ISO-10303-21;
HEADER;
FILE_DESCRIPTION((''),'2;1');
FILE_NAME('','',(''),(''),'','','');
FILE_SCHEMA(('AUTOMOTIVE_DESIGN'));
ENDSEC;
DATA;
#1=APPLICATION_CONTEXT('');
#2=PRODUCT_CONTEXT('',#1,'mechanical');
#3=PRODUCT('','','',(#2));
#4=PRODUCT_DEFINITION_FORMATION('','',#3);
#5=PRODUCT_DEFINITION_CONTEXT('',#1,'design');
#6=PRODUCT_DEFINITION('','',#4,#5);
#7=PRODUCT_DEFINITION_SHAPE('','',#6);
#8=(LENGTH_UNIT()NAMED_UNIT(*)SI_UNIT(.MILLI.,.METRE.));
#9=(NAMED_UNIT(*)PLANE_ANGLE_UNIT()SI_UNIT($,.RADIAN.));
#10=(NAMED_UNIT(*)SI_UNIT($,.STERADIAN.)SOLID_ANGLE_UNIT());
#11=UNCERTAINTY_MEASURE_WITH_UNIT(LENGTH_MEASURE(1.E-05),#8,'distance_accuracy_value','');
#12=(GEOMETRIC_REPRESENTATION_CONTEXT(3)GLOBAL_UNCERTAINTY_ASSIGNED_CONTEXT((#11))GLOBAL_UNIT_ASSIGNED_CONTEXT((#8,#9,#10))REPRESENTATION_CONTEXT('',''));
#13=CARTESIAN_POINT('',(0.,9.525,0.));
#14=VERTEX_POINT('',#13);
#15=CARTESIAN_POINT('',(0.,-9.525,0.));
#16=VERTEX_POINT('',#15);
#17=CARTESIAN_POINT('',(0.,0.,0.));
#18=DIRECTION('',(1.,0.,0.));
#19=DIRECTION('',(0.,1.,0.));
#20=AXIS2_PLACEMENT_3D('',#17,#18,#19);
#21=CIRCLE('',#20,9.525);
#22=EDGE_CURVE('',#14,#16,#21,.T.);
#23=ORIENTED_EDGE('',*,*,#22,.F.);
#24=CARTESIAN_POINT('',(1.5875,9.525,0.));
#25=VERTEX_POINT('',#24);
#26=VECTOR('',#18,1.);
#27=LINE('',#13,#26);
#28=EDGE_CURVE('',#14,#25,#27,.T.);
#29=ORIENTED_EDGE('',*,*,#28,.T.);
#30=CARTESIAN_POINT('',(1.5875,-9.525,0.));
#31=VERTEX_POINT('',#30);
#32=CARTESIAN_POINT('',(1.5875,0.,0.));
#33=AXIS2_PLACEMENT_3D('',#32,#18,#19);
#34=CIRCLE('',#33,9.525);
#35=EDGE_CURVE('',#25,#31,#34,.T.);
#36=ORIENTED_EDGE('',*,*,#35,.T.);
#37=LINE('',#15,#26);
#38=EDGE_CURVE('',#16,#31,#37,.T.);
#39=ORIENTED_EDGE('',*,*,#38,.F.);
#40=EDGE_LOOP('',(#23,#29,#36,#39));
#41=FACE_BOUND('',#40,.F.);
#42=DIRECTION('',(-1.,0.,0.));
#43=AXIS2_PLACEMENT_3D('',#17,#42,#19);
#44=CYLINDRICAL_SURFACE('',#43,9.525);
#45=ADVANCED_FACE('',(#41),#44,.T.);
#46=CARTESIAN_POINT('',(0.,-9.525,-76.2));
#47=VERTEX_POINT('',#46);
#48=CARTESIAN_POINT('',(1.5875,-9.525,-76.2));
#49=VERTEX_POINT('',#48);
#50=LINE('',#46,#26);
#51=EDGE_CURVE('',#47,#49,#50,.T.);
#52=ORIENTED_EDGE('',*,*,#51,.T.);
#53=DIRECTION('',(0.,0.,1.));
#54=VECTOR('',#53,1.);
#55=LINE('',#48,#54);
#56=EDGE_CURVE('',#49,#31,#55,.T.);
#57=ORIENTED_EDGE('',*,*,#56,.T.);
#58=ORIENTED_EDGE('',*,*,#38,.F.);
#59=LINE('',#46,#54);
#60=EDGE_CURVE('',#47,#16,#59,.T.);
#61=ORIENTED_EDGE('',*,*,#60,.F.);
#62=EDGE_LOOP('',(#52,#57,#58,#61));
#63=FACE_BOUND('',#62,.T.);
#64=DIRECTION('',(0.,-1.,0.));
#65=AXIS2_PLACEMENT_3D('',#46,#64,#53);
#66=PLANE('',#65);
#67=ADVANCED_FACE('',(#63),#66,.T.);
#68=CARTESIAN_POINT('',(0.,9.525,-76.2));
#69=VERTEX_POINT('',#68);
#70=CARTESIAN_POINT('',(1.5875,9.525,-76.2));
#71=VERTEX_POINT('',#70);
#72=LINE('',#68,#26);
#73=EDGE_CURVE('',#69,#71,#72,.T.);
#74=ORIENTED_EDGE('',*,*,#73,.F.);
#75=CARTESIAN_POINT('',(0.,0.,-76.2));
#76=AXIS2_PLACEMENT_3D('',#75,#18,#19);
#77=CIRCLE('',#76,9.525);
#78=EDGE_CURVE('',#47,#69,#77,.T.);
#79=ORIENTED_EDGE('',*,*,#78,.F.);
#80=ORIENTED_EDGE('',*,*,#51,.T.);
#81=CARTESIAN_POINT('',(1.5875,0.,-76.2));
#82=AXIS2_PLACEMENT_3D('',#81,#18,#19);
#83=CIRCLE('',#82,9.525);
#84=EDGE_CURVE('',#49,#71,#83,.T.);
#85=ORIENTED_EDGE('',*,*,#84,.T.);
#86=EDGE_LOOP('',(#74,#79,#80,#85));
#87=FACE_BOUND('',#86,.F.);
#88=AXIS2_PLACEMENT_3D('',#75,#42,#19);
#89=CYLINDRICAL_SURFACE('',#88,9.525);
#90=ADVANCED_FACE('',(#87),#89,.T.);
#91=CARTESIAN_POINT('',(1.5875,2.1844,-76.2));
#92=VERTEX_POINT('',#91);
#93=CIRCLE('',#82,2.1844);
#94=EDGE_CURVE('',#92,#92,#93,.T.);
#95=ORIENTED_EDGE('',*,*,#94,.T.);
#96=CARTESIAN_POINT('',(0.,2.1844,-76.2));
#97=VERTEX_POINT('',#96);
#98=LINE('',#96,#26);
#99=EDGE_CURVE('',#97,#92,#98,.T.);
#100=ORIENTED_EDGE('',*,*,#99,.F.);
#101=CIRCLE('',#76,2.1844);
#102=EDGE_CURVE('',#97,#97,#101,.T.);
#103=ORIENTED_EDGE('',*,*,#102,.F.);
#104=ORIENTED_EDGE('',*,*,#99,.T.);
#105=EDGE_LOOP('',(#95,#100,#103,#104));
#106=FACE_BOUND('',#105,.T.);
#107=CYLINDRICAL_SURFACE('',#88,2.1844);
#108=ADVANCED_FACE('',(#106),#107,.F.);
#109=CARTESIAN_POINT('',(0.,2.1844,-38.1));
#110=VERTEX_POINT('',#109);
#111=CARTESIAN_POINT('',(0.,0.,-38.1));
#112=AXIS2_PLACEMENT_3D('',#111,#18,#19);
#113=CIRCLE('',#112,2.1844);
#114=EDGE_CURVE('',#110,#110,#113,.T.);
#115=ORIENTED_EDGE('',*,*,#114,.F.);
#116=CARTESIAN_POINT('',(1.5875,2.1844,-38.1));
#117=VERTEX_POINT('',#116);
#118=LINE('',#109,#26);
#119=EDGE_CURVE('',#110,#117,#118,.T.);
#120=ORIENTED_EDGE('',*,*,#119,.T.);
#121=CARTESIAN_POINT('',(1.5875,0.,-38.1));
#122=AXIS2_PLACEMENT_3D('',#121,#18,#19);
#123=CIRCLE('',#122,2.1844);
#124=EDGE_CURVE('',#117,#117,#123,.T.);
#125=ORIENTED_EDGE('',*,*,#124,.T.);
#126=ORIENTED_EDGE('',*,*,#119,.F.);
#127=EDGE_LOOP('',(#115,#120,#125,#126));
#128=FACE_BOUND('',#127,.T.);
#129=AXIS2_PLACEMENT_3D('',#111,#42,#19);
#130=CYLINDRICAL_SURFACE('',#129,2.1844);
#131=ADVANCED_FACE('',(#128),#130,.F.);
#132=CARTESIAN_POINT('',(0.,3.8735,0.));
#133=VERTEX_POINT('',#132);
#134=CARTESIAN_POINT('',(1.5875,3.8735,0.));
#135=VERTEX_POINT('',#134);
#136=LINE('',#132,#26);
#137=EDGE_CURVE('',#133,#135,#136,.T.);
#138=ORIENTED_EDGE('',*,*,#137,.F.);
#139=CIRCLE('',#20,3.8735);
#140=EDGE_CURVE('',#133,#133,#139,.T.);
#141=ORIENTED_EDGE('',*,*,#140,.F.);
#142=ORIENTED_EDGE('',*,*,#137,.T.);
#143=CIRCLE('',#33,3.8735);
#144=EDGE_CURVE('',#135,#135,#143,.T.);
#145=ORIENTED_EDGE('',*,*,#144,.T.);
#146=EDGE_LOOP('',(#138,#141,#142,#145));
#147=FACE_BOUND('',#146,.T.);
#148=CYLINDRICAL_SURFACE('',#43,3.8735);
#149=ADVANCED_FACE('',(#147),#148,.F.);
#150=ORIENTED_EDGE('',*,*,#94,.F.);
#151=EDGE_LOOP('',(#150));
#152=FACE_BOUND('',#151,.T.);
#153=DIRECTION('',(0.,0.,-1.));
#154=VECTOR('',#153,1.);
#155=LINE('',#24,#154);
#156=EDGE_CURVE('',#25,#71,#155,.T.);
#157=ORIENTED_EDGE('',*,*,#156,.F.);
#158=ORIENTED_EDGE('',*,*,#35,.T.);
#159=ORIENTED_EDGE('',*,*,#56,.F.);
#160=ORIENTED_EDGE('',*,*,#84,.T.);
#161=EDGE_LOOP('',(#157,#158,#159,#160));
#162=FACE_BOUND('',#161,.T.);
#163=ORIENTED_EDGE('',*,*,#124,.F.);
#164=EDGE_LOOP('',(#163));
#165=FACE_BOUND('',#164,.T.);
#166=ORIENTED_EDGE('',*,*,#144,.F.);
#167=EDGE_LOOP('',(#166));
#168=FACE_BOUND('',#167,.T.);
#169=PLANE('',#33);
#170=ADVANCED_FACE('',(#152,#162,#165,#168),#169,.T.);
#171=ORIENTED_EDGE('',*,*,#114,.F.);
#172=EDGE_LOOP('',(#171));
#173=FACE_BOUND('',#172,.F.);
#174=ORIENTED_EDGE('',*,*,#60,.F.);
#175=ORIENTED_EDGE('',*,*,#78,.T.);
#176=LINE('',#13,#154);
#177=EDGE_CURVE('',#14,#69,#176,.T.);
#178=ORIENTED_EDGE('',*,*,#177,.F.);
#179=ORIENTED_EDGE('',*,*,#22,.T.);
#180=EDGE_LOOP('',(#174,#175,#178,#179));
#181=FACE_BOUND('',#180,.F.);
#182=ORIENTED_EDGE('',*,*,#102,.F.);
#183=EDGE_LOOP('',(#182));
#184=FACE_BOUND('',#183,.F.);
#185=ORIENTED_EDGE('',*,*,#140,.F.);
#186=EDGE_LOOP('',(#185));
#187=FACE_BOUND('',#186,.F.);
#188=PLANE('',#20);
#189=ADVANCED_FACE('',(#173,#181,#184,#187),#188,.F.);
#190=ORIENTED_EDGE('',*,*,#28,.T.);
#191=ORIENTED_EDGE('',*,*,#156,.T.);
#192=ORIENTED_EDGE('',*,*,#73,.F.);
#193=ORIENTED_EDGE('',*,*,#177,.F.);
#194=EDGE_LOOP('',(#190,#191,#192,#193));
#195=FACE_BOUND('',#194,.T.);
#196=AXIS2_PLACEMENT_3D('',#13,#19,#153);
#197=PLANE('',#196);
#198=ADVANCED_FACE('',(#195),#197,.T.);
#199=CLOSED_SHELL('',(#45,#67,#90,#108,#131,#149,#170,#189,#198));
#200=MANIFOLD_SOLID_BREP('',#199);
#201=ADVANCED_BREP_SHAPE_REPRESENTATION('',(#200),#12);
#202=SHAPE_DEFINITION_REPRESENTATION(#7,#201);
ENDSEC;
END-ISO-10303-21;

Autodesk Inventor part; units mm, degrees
ref_plane "YZ Plane" through (0, 0, 0) normal (1, 0, 0) x (0, 1, 0)
ref_plane "XZ Plane" through (0, 0, 0) normal (0, 1, 0) x (-1, 0, 0)
ref_plane "XY Plane" through (0, 0, 0) normal (0, 0, 1) x (1, 0, 0)
sketch "Sketch1" plane through (0, 0, 0) normal (1, 0, 0) x (0, 1, 0)
  circle A0 centre (0, 0) radius 3.8735
  circle A1 centre (0, 0) radius 9.525
  circle A2 centre (0, -76.2) radius 2.1844
  circle A3 centre (0, -76.2) radius 9.525
  circle A4 centre (0, -38.1) radius 2.1844
  line L0 (9.525, 0) -> (9.525, -76.2)
  line L1 (-9.525, -76.2) -> (-9.525, 0)
  dimension "d0" = 7.747
  dimension "d1" = 19.05
  dimension "d2" = 4.3688
  dimension "d3" = 76.2
  dimension "d4" = 19.05
  dimension "d9" = 4.3688
extrude "Extrusion1" add sketch "Sketch1" along normal blind 1.5875
properties part number "secondpreroller"
